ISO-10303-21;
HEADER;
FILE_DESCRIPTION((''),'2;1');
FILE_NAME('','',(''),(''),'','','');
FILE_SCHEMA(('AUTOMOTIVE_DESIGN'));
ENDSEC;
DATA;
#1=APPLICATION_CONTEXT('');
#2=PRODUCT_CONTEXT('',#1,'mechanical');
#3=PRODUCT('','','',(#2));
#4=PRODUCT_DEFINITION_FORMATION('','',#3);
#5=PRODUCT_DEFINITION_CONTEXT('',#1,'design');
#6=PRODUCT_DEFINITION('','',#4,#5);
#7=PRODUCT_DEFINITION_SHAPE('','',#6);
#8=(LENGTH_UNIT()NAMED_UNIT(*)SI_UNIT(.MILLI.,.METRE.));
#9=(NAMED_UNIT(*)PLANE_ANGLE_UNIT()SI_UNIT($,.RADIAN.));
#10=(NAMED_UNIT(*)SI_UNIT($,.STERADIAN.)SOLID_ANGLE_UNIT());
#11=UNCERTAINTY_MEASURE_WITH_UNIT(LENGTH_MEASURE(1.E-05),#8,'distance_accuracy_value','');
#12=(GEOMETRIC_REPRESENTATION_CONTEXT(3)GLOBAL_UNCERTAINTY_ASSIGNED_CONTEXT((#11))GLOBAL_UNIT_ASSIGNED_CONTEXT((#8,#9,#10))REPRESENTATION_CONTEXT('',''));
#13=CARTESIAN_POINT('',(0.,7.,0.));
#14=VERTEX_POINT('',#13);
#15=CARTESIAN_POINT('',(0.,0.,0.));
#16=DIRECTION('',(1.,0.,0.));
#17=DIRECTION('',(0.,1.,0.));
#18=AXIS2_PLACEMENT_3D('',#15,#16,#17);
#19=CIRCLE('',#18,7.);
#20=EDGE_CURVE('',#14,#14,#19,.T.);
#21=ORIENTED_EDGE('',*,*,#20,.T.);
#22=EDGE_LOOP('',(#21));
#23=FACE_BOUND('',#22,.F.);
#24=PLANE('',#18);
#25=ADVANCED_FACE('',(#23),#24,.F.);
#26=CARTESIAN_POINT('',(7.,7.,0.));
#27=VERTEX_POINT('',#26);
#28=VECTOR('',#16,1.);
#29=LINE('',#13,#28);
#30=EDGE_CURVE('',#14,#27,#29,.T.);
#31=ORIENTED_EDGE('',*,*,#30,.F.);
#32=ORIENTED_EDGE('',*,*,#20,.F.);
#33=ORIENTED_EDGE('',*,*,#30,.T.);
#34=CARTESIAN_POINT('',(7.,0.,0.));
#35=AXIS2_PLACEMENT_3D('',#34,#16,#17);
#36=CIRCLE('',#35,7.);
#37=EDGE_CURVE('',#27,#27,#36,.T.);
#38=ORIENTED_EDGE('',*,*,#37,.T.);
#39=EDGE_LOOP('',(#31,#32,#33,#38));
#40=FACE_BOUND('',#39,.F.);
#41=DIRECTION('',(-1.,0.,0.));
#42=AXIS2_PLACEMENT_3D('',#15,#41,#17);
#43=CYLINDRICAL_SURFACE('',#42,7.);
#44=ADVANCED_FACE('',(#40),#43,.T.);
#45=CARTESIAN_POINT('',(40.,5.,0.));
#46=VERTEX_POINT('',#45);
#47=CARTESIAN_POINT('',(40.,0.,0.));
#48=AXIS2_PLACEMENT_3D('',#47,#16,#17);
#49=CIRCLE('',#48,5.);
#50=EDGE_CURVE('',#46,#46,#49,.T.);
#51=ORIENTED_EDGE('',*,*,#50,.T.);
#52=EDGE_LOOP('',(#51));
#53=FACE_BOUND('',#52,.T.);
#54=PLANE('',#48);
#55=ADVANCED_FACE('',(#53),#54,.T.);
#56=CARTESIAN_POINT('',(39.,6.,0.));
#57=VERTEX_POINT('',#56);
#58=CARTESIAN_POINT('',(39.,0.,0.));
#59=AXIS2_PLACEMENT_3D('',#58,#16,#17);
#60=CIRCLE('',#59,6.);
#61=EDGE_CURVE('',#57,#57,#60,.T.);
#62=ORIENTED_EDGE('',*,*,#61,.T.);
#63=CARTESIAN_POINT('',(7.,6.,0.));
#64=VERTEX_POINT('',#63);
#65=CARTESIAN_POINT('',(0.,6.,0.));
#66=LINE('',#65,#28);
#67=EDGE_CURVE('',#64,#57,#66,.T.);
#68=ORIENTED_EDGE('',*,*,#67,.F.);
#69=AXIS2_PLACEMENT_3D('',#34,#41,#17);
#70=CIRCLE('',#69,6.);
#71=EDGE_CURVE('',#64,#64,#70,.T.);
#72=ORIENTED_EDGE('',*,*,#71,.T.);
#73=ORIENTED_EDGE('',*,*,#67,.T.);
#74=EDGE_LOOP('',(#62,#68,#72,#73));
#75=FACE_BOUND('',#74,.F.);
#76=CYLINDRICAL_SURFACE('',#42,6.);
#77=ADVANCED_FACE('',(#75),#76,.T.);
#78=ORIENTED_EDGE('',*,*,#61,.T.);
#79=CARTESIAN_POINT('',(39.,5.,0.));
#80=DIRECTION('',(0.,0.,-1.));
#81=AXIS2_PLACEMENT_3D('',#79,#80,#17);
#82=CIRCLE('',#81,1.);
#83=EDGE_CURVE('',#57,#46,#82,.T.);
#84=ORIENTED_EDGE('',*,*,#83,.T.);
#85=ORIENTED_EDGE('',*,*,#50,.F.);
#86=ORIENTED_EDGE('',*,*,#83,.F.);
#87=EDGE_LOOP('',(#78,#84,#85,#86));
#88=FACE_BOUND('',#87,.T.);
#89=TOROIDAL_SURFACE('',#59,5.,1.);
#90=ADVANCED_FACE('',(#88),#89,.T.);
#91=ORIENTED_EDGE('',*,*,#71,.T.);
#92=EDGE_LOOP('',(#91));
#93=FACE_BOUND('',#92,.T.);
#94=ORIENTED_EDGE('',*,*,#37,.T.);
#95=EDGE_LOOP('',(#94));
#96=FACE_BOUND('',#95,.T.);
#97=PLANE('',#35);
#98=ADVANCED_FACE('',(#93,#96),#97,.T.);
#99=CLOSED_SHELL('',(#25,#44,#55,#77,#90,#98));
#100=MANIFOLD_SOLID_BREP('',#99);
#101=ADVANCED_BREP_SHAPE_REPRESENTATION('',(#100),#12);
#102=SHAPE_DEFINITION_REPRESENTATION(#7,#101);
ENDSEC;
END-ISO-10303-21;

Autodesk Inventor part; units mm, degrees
ref_plane "YZ Plane" through (0, 0, 0) normal (1, 0, 0) x (0, 1, 0)
ref_plane "XZ Plane" through (0, 0, 0) normal (0, 1, 0) x (-1, 0, 0)
ref_plane "XY Plane" through (0, 0, 0) normal (0, 0, 1) x (1, 0, 0)
sketch "Sketch2" plane through (0, 0, 0) normal (1, 0, 0) x (0, 1, 0)
  circle A0 centre (0, 0) radius 7
  circle A1 centre (0, 0) radius 6
  dimension "d0" = 14
  dimension "d1" = 12
extrude "Extrusion1" add sketch "Sketch2" along normal blind 40 contours A1
extrude "Extrusion2" add sketch "Sketch2" along normal blind 7 contours A0 | A1
fillet "Fillet1" radius 1 1 edges at (40, -6, 0)
thread "Thread1" size "M12x1.75" class "6g" standard "ANSI Metric M Profile" length 30
properties part number "bolt_CPY" material "Steel, Cast"
